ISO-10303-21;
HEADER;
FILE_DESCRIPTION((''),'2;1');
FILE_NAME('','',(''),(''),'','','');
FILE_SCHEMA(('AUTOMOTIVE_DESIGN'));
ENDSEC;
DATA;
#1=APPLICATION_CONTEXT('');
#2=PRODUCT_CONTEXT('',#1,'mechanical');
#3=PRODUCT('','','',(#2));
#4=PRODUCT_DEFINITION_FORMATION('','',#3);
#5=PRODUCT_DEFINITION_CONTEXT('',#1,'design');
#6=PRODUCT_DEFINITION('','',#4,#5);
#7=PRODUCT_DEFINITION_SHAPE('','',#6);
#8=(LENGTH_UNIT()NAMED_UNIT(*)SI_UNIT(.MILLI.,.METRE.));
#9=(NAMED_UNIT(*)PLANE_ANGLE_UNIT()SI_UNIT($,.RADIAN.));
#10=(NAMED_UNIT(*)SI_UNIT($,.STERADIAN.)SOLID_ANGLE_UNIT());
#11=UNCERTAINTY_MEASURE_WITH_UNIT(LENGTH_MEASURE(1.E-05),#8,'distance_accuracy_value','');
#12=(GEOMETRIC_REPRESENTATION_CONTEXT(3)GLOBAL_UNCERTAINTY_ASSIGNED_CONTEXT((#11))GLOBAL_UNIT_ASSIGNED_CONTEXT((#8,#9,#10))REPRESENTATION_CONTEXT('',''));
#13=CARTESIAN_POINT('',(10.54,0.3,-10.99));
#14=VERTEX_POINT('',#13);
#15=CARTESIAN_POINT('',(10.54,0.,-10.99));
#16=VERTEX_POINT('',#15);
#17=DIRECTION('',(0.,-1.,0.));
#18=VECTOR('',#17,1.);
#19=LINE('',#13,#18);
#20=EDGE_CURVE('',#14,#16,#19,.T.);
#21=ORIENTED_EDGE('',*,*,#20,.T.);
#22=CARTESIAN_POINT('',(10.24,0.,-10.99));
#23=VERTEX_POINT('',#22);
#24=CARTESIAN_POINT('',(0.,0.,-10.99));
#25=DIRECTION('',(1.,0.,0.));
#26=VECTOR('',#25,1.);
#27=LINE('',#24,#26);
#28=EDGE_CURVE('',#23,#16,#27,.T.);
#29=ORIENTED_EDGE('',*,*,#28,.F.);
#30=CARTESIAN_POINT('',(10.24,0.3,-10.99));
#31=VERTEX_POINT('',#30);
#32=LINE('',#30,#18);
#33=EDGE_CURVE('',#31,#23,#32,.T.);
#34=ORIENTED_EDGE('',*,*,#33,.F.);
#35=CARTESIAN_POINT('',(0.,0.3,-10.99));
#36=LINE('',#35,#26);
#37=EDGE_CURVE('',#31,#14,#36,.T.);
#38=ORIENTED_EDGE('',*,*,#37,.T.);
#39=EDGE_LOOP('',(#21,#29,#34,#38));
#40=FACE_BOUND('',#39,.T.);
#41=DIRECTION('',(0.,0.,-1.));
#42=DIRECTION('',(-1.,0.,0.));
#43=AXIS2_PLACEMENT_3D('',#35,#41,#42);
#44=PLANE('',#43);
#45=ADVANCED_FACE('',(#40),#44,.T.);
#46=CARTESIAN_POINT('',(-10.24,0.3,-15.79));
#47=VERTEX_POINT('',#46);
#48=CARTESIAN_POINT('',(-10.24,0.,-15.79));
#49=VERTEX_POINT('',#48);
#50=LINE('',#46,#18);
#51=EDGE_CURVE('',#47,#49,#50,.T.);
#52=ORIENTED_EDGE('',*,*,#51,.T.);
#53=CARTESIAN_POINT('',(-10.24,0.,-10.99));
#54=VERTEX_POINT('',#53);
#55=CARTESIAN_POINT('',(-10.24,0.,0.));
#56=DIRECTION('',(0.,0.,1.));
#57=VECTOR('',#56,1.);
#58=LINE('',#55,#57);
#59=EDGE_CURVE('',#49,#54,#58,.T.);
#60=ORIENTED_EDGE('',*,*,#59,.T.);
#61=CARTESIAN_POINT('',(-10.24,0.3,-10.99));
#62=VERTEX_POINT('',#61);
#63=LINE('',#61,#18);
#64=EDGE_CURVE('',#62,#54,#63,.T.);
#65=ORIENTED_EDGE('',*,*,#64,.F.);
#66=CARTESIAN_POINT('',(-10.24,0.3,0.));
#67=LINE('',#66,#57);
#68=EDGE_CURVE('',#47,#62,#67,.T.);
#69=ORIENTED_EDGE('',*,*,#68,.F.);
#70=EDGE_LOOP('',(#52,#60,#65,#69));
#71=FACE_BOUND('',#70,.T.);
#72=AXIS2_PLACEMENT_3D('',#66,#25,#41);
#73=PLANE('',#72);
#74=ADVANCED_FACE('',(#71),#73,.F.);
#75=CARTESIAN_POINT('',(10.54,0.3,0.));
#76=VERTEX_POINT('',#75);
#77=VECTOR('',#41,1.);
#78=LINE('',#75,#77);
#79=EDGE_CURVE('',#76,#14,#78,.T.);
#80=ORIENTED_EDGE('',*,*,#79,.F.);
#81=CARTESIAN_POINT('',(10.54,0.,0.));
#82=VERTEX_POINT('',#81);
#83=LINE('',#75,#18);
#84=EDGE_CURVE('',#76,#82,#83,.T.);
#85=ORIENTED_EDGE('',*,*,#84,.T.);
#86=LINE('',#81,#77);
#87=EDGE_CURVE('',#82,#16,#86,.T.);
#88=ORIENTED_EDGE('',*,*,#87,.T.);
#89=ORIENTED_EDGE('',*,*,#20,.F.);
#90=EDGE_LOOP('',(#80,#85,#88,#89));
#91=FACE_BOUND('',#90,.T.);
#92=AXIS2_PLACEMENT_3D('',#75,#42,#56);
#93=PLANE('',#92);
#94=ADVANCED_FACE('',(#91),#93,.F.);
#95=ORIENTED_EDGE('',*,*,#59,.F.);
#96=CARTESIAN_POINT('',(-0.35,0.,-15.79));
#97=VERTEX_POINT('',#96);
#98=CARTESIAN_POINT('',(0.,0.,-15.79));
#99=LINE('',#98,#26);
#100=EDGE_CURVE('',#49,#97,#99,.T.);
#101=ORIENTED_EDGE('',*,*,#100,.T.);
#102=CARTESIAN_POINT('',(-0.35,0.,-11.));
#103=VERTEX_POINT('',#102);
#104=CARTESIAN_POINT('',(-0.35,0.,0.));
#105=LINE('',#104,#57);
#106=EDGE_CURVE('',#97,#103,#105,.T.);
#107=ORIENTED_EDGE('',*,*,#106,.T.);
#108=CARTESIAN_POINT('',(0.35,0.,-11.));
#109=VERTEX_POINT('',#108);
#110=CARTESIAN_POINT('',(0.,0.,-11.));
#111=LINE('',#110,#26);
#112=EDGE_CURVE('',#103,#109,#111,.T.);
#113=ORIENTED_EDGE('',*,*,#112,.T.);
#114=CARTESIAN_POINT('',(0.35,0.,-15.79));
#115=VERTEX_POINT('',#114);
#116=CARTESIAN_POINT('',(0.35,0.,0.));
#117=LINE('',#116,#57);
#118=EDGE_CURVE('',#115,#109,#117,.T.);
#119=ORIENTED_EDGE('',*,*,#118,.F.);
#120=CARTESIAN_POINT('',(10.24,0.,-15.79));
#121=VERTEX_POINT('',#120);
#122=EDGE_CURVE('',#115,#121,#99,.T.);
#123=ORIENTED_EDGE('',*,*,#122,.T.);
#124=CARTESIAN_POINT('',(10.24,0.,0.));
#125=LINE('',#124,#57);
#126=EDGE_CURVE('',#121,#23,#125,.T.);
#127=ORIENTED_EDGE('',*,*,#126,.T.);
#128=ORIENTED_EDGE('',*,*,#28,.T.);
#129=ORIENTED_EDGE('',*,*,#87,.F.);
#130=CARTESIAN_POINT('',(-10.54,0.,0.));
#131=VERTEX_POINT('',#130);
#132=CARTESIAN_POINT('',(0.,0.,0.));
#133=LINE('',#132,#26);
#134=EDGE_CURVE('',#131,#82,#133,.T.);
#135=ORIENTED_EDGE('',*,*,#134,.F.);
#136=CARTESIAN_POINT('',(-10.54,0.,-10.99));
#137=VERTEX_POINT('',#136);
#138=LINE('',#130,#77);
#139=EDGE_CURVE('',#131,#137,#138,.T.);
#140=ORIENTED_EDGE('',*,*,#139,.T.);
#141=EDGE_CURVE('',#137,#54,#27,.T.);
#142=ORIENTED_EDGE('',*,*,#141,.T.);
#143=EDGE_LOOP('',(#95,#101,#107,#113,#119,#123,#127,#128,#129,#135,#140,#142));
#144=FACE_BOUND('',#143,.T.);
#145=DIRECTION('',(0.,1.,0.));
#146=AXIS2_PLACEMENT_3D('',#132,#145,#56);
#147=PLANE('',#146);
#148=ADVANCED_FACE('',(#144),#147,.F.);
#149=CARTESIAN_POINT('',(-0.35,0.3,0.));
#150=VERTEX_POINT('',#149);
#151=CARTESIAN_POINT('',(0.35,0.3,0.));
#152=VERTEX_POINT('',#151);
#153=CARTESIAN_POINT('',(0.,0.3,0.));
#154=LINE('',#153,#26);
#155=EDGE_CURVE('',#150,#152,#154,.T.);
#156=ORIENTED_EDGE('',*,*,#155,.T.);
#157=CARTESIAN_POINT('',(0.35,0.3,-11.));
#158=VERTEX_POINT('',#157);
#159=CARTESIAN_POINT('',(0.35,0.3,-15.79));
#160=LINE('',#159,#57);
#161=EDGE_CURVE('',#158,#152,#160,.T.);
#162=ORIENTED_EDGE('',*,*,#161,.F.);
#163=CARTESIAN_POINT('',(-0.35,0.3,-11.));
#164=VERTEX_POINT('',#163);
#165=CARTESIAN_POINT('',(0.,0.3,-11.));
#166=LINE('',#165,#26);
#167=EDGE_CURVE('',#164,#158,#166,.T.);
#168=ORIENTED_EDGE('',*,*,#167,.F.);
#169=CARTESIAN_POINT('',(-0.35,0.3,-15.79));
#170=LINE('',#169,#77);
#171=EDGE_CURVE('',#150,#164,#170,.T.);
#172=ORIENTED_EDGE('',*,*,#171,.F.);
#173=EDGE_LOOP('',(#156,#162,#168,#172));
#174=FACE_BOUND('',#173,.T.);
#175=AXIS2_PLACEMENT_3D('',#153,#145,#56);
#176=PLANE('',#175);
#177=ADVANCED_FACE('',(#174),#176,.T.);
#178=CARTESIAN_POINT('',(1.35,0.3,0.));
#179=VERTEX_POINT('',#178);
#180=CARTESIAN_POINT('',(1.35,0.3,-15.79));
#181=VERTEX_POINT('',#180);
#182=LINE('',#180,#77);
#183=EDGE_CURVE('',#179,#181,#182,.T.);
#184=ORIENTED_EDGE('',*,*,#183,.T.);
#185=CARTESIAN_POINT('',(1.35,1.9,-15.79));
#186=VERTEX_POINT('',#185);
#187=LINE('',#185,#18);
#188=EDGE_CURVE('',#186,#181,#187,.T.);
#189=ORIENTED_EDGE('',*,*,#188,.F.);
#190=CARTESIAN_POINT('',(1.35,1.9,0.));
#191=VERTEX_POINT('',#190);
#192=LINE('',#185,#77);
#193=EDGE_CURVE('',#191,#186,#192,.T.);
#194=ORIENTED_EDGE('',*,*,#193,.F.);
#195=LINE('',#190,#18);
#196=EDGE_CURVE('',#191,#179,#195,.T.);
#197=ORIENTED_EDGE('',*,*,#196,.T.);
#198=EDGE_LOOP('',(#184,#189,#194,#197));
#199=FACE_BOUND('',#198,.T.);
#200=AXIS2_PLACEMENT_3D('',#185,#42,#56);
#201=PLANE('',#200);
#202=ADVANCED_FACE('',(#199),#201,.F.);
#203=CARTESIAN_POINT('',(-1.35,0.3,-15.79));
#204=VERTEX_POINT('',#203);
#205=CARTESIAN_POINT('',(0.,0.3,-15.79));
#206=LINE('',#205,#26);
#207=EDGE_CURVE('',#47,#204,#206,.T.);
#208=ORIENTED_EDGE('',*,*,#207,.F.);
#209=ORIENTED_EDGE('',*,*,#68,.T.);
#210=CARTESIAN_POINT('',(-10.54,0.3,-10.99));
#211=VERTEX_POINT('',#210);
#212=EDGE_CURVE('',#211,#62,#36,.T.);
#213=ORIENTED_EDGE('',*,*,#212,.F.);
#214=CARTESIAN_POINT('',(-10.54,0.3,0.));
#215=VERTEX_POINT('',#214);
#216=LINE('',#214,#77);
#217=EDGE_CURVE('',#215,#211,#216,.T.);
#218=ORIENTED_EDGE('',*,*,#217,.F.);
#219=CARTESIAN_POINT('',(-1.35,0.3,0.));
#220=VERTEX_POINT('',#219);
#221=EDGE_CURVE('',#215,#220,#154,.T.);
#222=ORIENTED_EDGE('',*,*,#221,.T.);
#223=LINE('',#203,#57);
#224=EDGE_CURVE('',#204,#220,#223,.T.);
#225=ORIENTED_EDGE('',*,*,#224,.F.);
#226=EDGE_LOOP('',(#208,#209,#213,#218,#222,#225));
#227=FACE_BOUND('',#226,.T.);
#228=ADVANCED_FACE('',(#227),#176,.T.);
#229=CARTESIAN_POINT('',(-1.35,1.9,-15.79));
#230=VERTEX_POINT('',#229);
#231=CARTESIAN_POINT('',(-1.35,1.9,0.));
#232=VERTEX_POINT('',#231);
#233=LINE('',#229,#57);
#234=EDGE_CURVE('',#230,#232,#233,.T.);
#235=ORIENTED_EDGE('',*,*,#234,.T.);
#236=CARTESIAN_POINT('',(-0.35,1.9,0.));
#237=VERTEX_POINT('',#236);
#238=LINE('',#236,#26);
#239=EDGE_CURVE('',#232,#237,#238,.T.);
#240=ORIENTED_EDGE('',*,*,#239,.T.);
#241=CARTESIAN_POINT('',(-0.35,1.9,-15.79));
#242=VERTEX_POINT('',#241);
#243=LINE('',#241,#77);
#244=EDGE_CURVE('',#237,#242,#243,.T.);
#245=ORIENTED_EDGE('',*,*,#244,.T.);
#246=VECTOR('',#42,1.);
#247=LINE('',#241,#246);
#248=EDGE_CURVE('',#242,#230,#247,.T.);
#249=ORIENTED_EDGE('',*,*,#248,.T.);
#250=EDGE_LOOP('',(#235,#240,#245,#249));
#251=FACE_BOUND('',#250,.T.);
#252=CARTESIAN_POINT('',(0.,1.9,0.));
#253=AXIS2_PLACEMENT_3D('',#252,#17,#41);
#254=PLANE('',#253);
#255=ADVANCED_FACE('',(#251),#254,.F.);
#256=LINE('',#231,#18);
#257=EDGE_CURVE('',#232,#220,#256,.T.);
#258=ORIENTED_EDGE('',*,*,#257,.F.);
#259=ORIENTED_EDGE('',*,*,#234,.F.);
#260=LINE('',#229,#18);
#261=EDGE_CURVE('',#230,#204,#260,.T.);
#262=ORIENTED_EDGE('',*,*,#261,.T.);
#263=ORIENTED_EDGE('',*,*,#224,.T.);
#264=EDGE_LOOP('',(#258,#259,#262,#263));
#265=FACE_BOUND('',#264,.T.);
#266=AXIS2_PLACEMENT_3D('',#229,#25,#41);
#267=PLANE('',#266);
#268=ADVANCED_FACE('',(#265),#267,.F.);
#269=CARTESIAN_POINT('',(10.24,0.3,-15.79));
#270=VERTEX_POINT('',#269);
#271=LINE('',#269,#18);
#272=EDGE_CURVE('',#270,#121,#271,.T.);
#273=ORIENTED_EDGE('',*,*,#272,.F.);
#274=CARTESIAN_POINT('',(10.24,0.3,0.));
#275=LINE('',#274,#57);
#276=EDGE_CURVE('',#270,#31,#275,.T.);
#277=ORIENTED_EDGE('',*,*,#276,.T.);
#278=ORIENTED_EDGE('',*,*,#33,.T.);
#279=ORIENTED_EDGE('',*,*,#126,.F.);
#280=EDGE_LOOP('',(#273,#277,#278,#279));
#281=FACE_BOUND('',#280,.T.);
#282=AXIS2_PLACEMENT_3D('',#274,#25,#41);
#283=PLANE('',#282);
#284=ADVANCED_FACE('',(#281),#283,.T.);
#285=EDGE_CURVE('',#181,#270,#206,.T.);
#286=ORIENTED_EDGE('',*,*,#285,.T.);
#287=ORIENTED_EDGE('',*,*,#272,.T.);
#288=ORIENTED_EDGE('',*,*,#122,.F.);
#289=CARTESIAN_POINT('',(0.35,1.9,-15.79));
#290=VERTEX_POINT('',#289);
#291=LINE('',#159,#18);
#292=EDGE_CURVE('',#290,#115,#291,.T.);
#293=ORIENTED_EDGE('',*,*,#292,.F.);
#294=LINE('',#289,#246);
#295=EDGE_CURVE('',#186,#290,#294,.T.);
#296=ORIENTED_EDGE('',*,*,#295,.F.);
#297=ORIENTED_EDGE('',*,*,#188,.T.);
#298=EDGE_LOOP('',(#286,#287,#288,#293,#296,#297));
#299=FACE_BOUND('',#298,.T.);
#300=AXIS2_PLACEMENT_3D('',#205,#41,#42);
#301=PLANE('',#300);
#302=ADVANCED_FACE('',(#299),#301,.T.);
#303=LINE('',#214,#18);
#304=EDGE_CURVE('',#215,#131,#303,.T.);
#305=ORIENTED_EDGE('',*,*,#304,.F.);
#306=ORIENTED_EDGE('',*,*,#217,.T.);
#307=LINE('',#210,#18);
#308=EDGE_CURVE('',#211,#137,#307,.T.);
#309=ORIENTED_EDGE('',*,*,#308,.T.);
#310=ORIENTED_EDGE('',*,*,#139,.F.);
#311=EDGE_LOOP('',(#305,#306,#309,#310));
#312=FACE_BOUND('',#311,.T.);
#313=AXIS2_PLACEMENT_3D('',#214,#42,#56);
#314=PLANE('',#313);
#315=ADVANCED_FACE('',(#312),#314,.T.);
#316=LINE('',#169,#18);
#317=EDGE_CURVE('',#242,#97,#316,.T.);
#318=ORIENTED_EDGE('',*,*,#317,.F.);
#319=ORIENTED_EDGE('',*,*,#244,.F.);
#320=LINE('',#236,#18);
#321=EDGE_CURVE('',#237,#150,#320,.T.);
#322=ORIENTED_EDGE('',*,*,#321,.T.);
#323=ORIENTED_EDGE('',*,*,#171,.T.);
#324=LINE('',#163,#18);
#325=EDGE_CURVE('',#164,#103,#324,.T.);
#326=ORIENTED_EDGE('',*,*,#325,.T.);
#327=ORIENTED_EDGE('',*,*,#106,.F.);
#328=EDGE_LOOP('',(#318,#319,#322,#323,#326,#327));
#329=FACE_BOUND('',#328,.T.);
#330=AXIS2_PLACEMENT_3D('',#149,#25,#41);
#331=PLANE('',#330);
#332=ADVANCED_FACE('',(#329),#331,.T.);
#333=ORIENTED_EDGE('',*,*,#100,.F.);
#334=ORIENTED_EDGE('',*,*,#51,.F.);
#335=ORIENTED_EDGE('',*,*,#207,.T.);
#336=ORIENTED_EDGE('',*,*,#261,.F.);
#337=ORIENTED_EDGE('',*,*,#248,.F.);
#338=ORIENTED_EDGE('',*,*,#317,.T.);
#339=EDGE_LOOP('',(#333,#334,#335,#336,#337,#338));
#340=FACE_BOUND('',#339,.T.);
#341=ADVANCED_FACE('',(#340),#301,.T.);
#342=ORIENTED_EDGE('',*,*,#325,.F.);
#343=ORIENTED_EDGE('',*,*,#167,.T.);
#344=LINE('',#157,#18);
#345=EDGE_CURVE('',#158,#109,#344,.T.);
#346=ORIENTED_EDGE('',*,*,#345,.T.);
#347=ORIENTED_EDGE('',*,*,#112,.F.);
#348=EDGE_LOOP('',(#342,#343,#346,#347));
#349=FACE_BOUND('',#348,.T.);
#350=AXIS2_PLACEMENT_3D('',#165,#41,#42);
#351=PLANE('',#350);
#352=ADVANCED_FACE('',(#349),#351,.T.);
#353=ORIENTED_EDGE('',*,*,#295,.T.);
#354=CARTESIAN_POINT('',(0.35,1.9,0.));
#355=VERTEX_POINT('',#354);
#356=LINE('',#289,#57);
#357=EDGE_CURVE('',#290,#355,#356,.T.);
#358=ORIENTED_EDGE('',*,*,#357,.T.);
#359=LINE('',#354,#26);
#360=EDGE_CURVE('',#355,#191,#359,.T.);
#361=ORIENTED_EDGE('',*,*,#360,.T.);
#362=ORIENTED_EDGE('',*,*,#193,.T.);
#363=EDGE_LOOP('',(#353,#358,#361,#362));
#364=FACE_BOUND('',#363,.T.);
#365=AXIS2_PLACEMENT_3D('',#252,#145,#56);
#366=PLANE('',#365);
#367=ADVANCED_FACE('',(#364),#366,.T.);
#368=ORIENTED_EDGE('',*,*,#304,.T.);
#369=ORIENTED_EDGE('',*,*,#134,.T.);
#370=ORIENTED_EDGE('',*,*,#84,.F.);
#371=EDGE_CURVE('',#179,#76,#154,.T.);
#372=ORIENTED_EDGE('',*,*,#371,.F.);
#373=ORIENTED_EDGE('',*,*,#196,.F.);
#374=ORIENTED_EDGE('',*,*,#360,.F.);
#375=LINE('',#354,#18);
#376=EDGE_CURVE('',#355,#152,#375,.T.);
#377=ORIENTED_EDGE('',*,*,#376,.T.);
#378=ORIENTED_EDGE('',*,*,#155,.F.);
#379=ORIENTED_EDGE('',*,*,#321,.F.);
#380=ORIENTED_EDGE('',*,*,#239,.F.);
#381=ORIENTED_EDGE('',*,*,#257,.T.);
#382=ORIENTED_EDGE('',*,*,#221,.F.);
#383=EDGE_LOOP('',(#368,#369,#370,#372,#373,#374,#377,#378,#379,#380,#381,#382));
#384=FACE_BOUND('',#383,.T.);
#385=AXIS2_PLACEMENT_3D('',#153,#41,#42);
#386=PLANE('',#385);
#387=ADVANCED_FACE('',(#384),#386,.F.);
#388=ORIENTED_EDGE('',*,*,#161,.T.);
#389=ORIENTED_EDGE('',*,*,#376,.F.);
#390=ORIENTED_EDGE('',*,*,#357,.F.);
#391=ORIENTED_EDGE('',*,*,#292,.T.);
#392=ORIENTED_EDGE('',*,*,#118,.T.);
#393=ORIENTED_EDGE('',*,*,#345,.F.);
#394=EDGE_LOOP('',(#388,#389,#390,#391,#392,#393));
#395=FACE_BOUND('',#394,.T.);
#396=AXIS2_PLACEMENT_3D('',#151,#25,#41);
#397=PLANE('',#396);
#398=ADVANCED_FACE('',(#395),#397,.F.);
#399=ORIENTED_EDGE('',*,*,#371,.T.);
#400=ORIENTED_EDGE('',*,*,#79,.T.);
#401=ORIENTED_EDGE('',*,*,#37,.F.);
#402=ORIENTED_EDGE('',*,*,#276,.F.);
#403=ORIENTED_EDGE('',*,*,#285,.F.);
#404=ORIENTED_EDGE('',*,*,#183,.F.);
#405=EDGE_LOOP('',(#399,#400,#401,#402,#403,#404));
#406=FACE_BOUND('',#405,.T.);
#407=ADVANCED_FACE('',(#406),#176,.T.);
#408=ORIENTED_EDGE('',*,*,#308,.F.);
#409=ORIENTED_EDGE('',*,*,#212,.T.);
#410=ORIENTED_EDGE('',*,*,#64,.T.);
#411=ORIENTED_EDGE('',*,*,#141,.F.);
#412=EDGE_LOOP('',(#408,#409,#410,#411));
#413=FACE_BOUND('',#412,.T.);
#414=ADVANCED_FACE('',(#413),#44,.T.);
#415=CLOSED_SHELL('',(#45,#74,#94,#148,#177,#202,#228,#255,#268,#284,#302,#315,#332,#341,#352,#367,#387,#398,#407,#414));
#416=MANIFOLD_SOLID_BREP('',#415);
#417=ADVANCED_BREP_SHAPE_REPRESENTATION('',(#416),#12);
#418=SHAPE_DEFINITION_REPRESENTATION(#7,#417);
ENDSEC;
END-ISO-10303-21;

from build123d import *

# Parameters (mm, degrees)
SKETCH1_W           = 9.89
SKETCH1_H           = 4.79
SKETCH1_H_2         = 0.01
SKETCH1_W_2         = 0.01
SKETCH1_H_3         = 10.99
SKETCH1_W_3         = 0.29
BOSS_EXTRUDE1_DEPTH = 0.3
SKETCH2_W           = 1
SKETCH2_H           = 15.79
BOSS_EXTRUDE2_DEPTH = 1.6


with BuildPart() as part:
    # Sketch1 → Boss-Extrude1 (new body)
    with BuildSketch(Plane(origin=(0, 0, 0), x_dir=(1, 0, 0), z_dir=(0, 1, 0))):
        with Locations((-5.295, 13.395)):
            Rectangle(SKETCH1_W, SKETCH1_H)
        with Locations((5.295, 13.395)):
            Rectangle(SKETCH1_W, SKETCH1_H)
        with Locations((-5.295, 10.995)):
            Rectangle(SKETCH1_W, SKETCH1_H_2)
        with Locations((5.295, 10.995)):
            Rectangle(SKETCH1_W, SKETCH1_H_2)
        Polygon((-0.35, 11), (-0.35, 10.99), (0.35, 10.99), (0.35, 11), (0.34, 11), (-0.34, 11), align=None)
        Polygon((-10.24, 10.99), (-10.24, 0), (10.24, 0), (10.24, 10.99), (0.35, 10.99), (-0.35, 10.99), align=None)
        with Locations((-10.245, 5.495)):
            Rectangle(SKETCH1_W_2, SKETCH1_H_3)
        with Locations((-10.395, 5.495)):
            Rectangle(SKETCH1_W_3, SKETCH1_H_3)
        with Locations((10.395, 5.495)):
            Rectangle(SKETCH1_W_3, SKETCH1_H_3)
        with Locations((10.245, 5.495)):
            Rectangle(SKETCH1_W_2, SKETCH1_H_3)
    extrude(amount=BOSS_EXTRUDE1_DEPTH)

    # Sketch2 → Boss-Extrude2 (add)
    with BuildSketch(Plane(origin=(0, 0.3, 0), x_dir=(1, 0, 0), z_dir=(0, 1, 0))):
        with Locations((-0.85, 7.895)):
            Rectangle(SKETCH2_W, SKETCH2_H)
        with Locations((0.85, 7.895)):
            Rectangle(SKETCH2_W, SKETCH2_H)
    extrude(amount=BOSS_EXTRUDE2_DEPTH)


solid = part.part
